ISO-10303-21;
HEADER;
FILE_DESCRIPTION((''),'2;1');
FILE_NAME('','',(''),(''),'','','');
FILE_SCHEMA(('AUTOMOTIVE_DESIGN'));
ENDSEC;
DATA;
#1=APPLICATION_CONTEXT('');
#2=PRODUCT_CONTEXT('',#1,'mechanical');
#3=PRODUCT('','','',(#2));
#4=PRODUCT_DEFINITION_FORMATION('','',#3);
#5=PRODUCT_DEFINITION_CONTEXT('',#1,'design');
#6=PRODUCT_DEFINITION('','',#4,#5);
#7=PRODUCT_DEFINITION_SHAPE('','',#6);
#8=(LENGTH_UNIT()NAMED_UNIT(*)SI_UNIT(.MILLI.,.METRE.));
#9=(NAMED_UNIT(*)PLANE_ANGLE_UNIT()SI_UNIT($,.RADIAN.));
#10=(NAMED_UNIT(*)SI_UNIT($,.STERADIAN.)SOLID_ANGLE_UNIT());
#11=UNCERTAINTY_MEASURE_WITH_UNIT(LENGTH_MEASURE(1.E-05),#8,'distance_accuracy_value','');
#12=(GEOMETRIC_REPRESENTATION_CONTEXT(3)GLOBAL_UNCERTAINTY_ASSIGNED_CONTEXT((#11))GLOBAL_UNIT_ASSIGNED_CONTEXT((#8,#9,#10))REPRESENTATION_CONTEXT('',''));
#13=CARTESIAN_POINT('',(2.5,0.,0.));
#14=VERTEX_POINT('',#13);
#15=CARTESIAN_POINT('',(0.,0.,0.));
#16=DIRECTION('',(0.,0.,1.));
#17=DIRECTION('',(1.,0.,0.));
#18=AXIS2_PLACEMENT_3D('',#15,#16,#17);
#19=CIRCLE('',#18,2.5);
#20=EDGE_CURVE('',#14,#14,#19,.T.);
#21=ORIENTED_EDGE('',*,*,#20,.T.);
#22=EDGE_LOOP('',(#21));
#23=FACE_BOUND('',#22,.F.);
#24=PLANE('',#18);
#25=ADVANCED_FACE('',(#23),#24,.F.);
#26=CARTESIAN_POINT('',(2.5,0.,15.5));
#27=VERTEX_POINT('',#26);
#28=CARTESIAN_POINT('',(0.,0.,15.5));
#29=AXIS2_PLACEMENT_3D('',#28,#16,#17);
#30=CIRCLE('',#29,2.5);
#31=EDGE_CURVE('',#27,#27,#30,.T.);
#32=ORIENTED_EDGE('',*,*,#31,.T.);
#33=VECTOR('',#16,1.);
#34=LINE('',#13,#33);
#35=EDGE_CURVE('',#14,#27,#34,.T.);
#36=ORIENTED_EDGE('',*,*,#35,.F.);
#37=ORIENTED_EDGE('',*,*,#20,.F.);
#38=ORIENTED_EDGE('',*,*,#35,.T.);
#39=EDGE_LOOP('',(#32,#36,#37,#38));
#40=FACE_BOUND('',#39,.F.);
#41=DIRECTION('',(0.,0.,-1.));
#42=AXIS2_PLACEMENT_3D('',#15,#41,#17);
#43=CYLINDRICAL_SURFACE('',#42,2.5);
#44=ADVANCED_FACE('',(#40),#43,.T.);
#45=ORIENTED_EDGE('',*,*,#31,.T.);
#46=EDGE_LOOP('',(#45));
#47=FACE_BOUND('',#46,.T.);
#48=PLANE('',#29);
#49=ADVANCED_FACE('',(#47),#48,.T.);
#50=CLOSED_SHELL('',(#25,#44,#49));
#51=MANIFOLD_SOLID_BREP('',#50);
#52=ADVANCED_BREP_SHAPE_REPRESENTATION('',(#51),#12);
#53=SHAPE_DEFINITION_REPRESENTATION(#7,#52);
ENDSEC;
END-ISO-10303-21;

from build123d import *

# Parameters (mm, degrees)
SKETCH_R  = 2.5
PAD_DEPTH = 15.5


with BuildPart() as part:
    # Sketch → Pad (new body)
    with BuildSketch(Plane.XY):
        Circle(SKETCH_R)
    extrude(amount=PAD_DEPTH)


solid = part.part
